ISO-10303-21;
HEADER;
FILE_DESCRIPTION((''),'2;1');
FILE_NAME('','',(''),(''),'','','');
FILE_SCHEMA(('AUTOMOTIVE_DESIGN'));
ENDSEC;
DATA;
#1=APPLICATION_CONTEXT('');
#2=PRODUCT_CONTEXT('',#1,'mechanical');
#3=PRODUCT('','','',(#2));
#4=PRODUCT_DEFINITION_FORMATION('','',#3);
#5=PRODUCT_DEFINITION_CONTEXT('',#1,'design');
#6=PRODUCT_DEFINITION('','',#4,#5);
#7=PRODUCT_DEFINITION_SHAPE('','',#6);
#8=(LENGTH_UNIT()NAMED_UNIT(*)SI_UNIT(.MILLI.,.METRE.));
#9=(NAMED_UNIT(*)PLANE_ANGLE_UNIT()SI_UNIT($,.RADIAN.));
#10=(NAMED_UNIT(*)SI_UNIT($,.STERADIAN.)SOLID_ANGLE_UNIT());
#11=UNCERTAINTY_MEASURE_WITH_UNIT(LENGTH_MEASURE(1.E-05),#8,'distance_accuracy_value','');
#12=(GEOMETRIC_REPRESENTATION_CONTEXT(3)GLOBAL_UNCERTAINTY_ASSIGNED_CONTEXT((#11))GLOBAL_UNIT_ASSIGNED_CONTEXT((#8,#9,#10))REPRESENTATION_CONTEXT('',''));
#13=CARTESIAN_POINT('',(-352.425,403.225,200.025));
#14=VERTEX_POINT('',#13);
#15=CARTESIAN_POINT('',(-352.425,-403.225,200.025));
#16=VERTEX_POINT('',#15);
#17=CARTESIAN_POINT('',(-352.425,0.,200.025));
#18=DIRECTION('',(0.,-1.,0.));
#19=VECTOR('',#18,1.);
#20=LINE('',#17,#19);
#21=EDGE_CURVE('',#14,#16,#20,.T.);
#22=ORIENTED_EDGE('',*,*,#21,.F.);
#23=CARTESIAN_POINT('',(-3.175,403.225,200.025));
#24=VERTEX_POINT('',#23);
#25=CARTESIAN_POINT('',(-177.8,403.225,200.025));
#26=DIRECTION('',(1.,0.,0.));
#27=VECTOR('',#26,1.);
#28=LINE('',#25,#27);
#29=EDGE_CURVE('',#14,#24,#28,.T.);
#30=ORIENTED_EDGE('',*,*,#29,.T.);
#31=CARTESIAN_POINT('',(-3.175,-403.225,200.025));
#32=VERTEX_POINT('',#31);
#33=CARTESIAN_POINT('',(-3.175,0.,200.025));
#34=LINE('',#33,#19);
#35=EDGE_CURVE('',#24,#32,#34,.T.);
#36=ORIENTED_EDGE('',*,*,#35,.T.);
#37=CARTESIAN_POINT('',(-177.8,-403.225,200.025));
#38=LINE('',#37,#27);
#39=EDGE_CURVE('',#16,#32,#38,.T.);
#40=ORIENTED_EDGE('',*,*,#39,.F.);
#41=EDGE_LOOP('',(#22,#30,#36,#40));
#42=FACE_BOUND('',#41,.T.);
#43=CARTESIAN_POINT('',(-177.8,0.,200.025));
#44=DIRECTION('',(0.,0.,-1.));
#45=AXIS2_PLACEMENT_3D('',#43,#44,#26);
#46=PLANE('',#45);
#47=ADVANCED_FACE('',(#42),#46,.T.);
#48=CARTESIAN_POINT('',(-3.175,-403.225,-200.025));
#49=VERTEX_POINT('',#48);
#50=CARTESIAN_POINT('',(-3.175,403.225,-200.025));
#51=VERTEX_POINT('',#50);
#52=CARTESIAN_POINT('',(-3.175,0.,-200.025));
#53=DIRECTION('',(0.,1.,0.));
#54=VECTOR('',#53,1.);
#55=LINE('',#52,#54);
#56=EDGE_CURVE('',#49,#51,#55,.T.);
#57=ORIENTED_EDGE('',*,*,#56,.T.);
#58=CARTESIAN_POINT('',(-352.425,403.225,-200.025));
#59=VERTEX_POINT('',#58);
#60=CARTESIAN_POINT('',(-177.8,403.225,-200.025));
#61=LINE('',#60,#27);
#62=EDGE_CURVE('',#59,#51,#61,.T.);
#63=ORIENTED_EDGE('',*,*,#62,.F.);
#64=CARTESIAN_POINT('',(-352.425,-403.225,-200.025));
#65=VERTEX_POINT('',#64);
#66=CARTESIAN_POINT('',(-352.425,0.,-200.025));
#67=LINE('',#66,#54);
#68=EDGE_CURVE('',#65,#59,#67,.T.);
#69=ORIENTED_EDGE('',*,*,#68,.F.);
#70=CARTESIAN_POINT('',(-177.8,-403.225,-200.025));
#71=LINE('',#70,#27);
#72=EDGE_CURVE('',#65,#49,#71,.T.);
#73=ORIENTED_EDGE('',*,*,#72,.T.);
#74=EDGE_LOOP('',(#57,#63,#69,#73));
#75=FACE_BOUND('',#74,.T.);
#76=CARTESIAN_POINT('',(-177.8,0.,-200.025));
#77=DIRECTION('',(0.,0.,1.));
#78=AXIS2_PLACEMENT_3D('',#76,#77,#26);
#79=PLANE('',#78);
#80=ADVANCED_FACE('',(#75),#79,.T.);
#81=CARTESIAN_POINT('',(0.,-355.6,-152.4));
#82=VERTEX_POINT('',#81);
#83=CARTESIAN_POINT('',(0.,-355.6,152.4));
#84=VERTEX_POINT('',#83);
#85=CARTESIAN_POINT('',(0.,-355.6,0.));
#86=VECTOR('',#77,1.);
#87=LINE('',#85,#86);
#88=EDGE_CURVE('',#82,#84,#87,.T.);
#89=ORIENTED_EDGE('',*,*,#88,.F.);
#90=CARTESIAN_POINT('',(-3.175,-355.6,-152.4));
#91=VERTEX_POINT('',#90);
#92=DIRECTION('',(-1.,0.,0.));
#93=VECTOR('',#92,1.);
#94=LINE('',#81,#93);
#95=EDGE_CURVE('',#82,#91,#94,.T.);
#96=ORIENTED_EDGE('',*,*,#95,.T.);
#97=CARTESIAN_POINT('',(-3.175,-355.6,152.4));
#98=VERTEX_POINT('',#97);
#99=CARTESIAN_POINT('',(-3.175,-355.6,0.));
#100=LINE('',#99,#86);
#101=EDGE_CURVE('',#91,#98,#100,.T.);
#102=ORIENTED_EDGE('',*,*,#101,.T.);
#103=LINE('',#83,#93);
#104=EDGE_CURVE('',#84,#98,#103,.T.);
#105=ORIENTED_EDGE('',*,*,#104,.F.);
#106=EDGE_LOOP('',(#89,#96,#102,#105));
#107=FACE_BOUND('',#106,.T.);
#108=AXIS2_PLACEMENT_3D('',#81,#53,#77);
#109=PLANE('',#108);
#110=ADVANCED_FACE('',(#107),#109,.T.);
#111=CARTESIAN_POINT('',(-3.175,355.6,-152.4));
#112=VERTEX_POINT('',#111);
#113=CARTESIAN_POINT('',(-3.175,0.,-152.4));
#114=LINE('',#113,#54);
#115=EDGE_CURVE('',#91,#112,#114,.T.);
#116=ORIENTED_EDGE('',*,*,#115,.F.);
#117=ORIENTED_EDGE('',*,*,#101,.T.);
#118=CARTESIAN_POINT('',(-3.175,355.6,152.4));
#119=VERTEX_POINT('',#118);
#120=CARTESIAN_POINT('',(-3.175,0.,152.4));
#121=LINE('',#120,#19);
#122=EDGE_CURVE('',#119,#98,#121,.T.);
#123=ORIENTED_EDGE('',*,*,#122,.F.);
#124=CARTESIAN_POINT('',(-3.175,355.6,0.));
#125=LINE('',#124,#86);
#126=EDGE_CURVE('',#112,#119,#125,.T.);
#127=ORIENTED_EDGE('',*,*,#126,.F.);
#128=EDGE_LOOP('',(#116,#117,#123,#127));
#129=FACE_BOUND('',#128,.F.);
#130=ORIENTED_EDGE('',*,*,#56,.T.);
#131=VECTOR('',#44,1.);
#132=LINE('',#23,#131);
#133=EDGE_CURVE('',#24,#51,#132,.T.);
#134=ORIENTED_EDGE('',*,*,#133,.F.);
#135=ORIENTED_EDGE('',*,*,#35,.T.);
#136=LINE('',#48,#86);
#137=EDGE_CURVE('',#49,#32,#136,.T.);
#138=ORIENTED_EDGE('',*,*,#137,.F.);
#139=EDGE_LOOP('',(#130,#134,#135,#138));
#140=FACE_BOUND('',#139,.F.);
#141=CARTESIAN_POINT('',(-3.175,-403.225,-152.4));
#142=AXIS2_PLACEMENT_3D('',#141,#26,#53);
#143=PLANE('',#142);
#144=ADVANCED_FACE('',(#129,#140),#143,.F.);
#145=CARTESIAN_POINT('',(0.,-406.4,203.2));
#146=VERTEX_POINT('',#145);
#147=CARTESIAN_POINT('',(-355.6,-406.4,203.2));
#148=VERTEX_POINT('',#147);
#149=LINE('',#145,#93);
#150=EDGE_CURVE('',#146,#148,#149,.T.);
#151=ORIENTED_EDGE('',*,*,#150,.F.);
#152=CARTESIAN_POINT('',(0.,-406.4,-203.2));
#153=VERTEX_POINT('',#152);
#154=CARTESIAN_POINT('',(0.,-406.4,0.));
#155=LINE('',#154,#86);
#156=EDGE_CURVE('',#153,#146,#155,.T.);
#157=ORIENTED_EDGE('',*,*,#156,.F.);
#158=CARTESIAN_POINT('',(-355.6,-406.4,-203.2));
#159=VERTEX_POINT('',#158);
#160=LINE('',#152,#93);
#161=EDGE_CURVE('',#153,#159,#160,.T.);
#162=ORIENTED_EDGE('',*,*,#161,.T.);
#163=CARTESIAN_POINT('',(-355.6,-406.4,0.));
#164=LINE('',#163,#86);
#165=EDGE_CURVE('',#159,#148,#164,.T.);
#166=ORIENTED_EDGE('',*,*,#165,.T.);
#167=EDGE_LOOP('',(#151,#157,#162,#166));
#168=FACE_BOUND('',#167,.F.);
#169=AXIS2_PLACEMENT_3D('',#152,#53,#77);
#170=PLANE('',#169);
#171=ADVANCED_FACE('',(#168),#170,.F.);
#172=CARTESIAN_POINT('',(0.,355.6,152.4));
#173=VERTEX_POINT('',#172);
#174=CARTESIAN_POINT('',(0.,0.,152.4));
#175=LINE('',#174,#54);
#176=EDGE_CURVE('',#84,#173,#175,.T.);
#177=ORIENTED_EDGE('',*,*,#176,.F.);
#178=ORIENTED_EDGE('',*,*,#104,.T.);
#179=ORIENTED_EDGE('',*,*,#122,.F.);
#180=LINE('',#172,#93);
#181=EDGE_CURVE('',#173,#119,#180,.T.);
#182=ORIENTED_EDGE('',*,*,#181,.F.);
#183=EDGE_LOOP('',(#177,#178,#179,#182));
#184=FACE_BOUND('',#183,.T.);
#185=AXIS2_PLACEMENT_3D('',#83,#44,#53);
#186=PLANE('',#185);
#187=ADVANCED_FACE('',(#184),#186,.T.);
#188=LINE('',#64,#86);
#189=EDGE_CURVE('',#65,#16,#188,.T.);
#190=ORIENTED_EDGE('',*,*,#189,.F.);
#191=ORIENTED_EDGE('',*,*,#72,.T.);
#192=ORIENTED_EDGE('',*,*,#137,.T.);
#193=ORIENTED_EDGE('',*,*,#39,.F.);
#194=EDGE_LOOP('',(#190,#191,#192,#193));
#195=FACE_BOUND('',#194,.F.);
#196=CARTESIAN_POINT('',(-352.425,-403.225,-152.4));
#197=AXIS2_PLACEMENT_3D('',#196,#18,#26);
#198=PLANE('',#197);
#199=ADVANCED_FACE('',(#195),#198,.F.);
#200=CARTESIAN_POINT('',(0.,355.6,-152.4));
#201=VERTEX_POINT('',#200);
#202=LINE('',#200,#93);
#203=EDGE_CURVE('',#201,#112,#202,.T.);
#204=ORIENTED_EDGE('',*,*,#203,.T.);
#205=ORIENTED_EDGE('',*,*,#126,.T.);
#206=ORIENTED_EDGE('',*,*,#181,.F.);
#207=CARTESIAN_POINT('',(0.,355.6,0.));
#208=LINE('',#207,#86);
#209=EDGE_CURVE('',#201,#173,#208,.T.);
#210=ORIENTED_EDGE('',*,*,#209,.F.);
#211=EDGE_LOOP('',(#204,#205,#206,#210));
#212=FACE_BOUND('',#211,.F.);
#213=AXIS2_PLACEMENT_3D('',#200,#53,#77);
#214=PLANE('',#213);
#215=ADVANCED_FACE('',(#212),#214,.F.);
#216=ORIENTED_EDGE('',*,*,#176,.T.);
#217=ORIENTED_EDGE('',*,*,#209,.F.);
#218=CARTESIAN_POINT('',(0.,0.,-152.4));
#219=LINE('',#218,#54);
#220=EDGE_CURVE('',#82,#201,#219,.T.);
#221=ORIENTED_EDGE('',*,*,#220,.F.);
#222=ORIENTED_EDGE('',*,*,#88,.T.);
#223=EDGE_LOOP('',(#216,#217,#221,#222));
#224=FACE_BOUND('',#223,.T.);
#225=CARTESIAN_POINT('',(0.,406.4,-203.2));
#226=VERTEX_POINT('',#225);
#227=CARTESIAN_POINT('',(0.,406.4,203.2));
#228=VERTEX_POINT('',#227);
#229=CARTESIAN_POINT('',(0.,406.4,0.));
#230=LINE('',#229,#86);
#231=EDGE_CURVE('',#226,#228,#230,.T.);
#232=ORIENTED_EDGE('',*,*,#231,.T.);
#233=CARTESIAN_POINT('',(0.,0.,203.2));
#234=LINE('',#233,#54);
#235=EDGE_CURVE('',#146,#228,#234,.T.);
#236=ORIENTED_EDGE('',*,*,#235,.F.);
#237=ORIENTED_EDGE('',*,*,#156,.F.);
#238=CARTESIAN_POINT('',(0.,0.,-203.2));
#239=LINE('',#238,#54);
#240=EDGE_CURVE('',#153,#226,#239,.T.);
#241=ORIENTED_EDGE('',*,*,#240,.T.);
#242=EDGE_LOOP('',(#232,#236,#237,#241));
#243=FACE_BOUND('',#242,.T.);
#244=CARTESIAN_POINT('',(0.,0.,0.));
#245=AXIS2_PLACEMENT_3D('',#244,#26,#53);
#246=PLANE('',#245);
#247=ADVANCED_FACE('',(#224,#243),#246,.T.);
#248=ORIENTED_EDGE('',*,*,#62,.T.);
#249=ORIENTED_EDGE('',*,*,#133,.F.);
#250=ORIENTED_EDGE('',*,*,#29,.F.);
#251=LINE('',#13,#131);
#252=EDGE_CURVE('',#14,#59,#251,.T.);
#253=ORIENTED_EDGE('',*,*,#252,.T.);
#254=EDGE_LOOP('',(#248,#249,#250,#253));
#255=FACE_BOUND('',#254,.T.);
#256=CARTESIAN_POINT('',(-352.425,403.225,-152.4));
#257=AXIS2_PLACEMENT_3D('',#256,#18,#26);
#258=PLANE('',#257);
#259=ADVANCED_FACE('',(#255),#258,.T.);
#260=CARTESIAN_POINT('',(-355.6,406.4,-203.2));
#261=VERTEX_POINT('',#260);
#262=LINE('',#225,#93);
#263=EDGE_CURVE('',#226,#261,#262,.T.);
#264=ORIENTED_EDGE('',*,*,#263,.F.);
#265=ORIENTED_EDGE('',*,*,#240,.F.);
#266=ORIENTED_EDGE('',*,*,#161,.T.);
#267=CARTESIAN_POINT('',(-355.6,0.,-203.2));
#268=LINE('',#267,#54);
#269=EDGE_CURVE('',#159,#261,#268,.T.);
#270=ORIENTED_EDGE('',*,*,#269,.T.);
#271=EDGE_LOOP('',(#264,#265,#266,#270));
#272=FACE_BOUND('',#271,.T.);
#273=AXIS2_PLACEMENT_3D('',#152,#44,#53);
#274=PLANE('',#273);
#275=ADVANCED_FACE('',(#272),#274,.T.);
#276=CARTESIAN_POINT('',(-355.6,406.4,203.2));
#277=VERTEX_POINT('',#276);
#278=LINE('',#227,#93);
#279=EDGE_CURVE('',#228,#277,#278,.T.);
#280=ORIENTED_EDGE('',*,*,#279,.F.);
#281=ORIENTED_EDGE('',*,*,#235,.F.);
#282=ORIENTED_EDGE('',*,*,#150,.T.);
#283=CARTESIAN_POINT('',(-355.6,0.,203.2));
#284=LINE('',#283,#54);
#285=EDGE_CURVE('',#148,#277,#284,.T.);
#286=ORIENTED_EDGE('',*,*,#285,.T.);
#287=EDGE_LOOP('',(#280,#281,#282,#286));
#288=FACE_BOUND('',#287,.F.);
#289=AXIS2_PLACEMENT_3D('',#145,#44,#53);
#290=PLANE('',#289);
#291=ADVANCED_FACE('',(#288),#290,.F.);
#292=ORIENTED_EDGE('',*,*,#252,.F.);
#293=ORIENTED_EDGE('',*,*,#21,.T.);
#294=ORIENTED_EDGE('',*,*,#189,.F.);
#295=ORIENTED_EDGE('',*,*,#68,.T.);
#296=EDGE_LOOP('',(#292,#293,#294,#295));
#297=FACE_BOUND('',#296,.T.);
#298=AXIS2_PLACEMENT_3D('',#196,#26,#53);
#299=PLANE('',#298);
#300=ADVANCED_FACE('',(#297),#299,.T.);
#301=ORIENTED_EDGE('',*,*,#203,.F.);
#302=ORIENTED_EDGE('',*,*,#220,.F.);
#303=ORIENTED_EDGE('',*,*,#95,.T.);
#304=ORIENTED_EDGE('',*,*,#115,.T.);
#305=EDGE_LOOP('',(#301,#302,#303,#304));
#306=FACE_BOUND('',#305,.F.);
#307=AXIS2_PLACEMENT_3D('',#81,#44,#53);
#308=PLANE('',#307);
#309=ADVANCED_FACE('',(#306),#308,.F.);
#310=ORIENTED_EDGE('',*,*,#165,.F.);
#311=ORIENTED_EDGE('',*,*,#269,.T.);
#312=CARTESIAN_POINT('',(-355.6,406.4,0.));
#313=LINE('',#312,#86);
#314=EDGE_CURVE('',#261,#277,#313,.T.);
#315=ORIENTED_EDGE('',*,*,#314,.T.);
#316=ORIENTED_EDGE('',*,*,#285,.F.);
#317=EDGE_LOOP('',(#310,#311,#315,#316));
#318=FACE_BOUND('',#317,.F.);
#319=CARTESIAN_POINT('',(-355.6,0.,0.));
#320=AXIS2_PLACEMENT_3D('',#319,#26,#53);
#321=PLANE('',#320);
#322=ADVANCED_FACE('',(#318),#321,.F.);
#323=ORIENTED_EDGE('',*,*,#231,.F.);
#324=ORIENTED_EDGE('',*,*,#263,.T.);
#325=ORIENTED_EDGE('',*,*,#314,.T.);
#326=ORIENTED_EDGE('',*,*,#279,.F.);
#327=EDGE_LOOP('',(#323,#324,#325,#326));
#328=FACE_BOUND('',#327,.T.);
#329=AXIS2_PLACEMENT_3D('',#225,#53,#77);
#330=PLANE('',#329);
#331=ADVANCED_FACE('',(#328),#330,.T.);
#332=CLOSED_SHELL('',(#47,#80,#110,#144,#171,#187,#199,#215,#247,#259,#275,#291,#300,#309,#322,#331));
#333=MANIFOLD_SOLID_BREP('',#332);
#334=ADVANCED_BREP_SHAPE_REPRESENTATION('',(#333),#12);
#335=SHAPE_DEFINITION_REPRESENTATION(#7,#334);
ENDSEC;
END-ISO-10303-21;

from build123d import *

# Parameters (mm, degrees)
F0_W      = 812.8
F0_H      = 406.4
F1_DEPTH  = 355.6
F2_W      = 711.2
F2_H      = 304.8
F3_DEPTH  = 352.425
F4_W      = 349.25
F4_H      = 304.8
F5_DEPTH  = 47.625
F6_W      = 349.25
F6_H      = 304.8
F7_DEPTH  = 47.625
F8_W      = 349.25
F8_H      = 806.45
F9_DEPTH  = 47.625
F10_W     = 349.25
F10_H     = 806.45
F11_DEPTH = 47.625


with BuildPart() as f1:
    # F0 (on Right) → F1 (new body)
    with BuildSketch(Plane.YZ):
        Rectangle(F0_W, F0_H)
    extrude(amount=-F1_DEPTH)

    # F2 (on face) → F3 (cut)
    with BuildSketch(Plane.YZ):
        Rectangle(F2_W, F2_H)
    extrude(amount=-F3_DEPTH, mode=Mode.SUBTRACT)

    # F4 (on face) → F5 (cut)
    with BuildSketch(Plane(origin=(0, -355.6, 0), x_dir=(-1, 0, 0), z_dir=(0, 1, 0))):
        with Locations((177.8, 0)):
            Rectangle(F4_W, F4_H)
    extrude(amount=-F5_DEPTH, mode=Mode.SUBTRACT)

    # F6 (on face) → F7 (cut)
    with BuildSketch(Plane.XZ.offset(-355.6)):
        with Locations((-177.8, 0)):
            Rectangle(F6_W, F6_H)
    extrude(amount=-F7_DEPTH, mode=Mode.SUBTRACT)

    # F8 (on face) → F9 (cut)
    with BuildSketch(Plane(origin=(0, 0, 152.4), x_dir=(1, 0, 0), z_dir=(0, 0, -1))):
        with Locations((-177.8, 0)):
            Rectangle(F8_W, F8_H)
    extrude(amount=-F9_DEPTH, mode=Mode.SUBTRACT)

    # F10 (on face) → F11 (cut)
    with BuildSketch(Plane.XY.offset(-152.4)):
        with Locations((-177.8, 0)):
            Rectangle(F10_W, F10_H)
    extrude(amount=-F11_DEPTH, mode=Mode.SUBTRACT)


solid = f1.part
